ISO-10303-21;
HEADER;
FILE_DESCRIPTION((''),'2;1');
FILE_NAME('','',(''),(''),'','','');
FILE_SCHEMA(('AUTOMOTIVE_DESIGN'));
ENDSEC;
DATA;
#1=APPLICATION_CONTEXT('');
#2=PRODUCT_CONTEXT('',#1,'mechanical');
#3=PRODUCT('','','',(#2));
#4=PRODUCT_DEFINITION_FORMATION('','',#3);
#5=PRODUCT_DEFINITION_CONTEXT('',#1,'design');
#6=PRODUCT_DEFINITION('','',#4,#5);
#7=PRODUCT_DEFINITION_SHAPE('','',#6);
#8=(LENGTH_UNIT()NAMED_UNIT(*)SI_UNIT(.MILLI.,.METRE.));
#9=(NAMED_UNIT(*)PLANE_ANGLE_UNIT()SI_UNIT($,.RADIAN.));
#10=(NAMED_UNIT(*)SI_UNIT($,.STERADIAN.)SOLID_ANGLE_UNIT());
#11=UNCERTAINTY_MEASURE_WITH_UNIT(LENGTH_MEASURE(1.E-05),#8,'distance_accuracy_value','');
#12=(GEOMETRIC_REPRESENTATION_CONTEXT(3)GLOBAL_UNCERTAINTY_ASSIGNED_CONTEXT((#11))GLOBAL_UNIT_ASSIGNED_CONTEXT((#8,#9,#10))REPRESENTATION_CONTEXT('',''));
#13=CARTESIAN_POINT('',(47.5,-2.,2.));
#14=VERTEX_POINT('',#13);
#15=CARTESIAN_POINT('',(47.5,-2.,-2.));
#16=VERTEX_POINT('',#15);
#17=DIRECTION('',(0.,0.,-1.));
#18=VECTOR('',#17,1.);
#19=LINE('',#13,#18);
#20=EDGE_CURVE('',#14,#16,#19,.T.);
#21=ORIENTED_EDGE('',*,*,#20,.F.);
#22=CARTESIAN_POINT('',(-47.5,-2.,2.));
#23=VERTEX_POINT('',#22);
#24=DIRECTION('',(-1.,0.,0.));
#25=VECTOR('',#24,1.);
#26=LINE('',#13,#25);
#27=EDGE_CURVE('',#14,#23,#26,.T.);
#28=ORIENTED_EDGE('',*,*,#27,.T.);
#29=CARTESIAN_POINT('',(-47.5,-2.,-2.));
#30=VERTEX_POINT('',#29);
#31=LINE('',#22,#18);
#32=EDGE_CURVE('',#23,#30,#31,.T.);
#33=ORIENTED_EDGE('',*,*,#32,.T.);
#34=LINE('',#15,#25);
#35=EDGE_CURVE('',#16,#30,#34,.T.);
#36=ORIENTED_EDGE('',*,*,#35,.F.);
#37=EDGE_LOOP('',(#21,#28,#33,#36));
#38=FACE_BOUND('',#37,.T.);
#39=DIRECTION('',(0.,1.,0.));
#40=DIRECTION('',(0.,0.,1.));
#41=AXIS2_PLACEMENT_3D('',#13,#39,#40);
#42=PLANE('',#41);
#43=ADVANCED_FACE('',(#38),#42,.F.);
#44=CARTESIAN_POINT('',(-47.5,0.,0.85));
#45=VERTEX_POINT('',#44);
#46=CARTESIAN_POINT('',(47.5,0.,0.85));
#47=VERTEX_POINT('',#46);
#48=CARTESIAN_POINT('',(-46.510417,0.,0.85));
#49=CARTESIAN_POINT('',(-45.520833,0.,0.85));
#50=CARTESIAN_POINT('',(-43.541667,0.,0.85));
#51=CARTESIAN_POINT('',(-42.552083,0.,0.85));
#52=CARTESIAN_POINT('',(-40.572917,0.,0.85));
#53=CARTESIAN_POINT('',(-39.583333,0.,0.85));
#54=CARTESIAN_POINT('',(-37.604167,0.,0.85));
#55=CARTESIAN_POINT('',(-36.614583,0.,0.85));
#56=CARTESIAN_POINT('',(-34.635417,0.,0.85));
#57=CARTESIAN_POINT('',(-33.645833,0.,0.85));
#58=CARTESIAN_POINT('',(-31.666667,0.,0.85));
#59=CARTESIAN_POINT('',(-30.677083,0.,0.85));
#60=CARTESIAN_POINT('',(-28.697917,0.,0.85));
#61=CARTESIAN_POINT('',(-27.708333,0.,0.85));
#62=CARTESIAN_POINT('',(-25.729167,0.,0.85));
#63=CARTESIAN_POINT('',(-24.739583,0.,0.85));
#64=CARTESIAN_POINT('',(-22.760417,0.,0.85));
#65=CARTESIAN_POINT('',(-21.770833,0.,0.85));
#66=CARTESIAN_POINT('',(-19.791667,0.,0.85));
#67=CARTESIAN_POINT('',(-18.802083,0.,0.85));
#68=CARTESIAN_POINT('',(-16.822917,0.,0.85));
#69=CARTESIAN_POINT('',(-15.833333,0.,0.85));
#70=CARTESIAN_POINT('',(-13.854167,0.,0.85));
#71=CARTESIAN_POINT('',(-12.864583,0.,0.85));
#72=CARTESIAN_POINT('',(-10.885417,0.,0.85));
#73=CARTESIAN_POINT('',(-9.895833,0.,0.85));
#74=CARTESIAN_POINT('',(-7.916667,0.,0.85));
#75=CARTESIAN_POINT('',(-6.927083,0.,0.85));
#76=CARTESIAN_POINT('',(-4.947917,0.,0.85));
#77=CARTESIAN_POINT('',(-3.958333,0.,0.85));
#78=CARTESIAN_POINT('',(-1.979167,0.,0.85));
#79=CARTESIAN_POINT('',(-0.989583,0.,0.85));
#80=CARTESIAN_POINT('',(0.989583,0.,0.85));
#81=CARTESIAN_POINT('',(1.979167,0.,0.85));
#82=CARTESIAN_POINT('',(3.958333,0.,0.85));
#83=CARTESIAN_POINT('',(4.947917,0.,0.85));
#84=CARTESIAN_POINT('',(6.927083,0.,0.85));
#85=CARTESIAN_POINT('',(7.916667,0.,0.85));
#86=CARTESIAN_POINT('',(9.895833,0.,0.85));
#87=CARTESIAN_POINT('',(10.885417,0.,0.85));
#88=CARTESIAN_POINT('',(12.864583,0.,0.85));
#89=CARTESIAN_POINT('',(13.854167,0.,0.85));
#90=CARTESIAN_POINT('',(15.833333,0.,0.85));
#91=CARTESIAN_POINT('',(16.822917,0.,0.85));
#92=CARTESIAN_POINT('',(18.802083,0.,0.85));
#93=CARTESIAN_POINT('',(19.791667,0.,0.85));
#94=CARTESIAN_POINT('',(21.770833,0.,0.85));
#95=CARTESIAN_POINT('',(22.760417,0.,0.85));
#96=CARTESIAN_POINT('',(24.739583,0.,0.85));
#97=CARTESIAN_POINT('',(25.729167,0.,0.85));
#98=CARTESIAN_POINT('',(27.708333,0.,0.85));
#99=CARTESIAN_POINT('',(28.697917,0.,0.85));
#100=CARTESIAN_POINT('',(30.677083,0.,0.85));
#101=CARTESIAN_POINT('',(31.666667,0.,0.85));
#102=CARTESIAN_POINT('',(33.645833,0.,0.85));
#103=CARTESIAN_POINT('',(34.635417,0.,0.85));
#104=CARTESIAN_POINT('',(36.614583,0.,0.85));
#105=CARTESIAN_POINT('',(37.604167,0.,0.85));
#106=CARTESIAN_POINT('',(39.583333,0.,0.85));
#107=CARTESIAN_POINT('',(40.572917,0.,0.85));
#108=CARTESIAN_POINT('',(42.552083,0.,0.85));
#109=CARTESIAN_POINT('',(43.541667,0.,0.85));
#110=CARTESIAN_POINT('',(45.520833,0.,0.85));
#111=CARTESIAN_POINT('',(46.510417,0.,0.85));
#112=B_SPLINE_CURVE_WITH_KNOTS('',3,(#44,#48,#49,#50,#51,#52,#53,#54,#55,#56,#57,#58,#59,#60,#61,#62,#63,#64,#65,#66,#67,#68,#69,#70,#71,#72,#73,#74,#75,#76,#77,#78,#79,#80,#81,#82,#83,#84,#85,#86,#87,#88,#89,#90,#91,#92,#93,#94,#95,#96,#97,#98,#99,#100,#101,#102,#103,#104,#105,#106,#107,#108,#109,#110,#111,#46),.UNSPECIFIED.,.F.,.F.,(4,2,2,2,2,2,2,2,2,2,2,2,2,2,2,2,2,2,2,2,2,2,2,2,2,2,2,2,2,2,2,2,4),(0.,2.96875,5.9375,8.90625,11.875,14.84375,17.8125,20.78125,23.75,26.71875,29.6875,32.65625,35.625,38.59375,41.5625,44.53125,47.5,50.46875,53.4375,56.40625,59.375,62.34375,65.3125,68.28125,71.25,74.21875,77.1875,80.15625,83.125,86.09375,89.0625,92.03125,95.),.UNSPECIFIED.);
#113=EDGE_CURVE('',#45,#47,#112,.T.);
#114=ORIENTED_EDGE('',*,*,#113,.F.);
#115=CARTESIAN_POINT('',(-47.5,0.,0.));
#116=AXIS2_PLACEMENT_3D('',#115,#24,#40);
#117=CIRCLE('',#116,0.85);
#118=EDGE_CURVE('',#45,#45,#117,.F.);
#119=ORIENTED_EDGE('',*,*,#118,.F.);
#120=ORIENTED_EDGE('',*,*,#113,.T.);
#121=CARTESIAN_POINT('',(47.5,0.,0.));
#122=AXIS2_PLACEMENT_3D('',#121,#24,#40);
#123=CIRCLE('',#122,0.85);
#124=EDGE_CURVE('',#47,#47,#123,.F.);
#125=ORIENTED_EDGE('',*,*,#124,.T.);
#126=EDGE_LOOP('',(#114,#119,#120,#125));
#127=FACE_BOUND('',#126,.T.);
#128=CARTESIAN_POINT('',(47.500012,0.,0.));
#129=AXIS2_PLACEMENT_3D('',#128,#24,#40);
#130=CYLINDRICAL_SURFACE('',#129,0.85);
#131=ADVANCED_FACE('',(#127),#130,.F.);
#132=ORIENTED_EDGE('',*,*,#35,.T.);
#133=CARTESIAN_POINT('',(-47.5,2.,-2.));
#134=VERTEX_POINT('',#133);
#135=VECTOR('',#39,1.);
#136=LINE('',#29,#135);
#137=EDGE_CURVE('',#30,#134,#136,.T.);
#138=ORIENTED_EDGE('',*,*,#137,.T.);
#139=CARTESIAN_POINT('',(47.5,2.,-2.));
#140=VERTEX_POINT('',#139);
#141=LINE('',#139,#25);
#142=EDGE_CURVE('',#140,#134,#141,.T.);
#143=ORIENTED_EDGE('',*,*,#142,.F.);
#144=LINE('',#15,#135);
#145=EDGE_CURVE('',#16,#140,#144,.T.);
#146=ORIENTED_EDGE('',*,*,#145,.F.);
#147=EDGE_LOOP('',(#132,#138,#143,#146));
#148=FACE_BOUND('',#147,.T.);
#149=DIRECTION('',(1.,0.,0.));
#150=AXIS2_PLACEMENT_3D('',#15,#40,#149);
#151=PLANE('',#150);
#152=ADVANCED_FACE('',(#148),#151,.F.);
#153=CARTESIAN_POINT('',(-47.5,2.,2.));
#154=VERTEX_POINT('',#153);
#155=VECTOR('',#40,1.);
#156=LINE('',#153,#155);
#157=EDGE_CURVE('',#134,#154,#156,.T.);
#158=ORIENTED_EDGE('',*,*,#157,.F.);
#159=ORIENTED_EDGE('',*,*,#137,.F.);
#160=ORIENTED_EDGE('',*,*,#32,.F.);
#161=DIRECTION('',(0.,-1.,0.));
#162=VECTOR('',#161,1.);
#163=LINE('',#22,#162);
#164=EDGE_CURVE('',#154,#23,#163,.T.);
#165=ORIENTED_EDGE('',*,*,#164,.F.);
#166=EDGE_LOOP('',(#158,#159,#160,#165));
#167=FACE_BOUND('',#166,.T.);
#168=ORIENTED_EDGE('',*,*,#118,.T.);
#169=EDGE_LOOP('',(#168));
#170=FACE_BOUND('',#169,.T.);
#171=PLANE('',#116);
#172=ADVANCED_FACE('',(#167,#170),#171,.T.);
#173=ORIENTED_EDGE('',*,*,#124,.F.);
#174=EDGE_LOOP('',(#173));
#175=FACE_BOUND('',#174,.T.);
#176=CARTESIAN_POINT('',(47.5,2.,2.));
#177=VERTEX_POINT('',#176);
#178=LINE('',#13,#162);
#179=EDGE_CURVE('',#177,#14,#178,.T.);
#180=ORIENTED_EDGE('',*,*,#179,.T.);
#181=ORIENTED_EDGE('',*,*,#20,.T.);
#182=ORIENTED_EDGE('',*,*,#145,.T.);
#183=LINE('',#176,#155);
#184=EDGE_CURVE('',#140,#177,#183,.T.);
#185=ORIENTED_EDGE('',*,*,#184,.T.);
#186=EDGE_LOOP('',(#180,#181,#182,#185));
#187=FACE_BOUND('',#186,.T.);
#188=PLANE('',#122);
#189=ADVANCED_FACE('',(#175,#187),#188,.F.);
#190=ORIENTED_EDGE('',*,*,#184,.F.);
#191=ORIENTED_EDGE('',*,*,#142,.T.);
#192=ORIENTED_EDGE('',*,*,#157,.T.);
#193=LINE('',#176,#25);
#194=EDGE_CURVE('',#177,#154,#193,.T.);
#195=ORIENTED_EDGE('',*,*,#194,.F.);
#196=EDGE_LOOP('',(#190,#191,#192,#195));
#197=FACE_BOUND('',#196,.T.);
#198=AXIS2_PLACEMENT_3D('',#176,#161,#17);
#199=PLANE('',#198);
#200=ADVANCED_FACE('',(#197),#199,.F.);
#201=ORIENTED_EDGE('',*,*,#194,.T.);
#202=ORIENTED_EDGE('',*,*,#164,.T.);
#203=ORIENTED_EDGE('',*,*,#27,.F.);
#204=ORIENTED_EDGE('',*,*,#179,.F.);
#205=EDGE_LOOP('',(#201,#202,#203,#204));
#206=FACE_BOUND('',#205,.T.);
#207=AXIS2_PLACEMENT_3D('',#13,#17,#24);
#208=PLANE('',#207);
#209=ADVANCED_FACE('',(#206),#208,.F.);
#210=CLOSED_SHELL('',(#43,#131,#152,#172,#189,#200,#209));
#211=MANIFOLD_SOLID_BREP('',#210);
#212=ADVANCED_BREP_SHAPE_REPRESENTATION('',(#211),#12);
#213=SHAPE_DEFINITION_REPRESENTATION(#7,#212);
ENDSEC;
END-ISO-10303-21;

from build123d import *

# Parameters (mm, degrees)
ESBO_O1_W                         = 4
ESBO_O1_H                         = 4
RESSALTO_EXTRUS_O1_DEPTH          = 47.5
CORTE_EXTRUS_O1_REACH             = 97.042
ESBO_O2_R                         = 0.85
CORTE_EXTRUS_O1_DIRECTION_2_DEPTH = 96.042095936


with BuildPart() as part:
    # Esboço1 → Ressalto-extrusão1 (new, symmetric)
    with BuildSketch(Plane(origin=(0, 0, 0), x_dir=(0, 0, -1), z_dir=(1, 0, 0))):
        Rectangle(ESBO_O1_W, ESBO_O1_H)
    extrude(amount=RESSALTO_EXTRUS_O1_DEPTH, both=True)

    # Esboço2 → Corte-extrusão1 (cut, up to next)
    with BuildSketch(Plane(origin=(47.5, 0, 0), x_dir=(0, 0, -1), z_dir=(1, 0, 0)), mode=Mode.PRIVATE) as corte_extrus_o1_sk1:
        with Locations(Location((0, 0, 0), (0, 0, 180))):
            Circle(ESBO_O2_R)
    corte_extrus_o1_tool1 = extrude(corte_extrus_o1_sk1.sketch, amount=-CORTE_EXTRUS_O1_REACH, mode=Mode.PRIVATE) & part.part
    add(corte_extrus_o1_tool1.solids().sort_by_distance((47.5, 0, 0))[0], mode=Mode.SUBTRACT)

    # Esboço2 → Corte-extrusão1 direction 2 (cut)
    with BuildSketch(Plane(origin=(47.5, 0, 0), x_dir=(0, 0, -1), z_dir=(1, 0, 0))):
        with Locations(Location((0, 0, 0), (0, 0, 180))):
            Circle(ESBO_O2_R)
    extrude(amount=CORTE_EXTRUS_O1_DIRECTION_2_DEPTH, mode=Mode.SUBTRACT)


solid = part.part
